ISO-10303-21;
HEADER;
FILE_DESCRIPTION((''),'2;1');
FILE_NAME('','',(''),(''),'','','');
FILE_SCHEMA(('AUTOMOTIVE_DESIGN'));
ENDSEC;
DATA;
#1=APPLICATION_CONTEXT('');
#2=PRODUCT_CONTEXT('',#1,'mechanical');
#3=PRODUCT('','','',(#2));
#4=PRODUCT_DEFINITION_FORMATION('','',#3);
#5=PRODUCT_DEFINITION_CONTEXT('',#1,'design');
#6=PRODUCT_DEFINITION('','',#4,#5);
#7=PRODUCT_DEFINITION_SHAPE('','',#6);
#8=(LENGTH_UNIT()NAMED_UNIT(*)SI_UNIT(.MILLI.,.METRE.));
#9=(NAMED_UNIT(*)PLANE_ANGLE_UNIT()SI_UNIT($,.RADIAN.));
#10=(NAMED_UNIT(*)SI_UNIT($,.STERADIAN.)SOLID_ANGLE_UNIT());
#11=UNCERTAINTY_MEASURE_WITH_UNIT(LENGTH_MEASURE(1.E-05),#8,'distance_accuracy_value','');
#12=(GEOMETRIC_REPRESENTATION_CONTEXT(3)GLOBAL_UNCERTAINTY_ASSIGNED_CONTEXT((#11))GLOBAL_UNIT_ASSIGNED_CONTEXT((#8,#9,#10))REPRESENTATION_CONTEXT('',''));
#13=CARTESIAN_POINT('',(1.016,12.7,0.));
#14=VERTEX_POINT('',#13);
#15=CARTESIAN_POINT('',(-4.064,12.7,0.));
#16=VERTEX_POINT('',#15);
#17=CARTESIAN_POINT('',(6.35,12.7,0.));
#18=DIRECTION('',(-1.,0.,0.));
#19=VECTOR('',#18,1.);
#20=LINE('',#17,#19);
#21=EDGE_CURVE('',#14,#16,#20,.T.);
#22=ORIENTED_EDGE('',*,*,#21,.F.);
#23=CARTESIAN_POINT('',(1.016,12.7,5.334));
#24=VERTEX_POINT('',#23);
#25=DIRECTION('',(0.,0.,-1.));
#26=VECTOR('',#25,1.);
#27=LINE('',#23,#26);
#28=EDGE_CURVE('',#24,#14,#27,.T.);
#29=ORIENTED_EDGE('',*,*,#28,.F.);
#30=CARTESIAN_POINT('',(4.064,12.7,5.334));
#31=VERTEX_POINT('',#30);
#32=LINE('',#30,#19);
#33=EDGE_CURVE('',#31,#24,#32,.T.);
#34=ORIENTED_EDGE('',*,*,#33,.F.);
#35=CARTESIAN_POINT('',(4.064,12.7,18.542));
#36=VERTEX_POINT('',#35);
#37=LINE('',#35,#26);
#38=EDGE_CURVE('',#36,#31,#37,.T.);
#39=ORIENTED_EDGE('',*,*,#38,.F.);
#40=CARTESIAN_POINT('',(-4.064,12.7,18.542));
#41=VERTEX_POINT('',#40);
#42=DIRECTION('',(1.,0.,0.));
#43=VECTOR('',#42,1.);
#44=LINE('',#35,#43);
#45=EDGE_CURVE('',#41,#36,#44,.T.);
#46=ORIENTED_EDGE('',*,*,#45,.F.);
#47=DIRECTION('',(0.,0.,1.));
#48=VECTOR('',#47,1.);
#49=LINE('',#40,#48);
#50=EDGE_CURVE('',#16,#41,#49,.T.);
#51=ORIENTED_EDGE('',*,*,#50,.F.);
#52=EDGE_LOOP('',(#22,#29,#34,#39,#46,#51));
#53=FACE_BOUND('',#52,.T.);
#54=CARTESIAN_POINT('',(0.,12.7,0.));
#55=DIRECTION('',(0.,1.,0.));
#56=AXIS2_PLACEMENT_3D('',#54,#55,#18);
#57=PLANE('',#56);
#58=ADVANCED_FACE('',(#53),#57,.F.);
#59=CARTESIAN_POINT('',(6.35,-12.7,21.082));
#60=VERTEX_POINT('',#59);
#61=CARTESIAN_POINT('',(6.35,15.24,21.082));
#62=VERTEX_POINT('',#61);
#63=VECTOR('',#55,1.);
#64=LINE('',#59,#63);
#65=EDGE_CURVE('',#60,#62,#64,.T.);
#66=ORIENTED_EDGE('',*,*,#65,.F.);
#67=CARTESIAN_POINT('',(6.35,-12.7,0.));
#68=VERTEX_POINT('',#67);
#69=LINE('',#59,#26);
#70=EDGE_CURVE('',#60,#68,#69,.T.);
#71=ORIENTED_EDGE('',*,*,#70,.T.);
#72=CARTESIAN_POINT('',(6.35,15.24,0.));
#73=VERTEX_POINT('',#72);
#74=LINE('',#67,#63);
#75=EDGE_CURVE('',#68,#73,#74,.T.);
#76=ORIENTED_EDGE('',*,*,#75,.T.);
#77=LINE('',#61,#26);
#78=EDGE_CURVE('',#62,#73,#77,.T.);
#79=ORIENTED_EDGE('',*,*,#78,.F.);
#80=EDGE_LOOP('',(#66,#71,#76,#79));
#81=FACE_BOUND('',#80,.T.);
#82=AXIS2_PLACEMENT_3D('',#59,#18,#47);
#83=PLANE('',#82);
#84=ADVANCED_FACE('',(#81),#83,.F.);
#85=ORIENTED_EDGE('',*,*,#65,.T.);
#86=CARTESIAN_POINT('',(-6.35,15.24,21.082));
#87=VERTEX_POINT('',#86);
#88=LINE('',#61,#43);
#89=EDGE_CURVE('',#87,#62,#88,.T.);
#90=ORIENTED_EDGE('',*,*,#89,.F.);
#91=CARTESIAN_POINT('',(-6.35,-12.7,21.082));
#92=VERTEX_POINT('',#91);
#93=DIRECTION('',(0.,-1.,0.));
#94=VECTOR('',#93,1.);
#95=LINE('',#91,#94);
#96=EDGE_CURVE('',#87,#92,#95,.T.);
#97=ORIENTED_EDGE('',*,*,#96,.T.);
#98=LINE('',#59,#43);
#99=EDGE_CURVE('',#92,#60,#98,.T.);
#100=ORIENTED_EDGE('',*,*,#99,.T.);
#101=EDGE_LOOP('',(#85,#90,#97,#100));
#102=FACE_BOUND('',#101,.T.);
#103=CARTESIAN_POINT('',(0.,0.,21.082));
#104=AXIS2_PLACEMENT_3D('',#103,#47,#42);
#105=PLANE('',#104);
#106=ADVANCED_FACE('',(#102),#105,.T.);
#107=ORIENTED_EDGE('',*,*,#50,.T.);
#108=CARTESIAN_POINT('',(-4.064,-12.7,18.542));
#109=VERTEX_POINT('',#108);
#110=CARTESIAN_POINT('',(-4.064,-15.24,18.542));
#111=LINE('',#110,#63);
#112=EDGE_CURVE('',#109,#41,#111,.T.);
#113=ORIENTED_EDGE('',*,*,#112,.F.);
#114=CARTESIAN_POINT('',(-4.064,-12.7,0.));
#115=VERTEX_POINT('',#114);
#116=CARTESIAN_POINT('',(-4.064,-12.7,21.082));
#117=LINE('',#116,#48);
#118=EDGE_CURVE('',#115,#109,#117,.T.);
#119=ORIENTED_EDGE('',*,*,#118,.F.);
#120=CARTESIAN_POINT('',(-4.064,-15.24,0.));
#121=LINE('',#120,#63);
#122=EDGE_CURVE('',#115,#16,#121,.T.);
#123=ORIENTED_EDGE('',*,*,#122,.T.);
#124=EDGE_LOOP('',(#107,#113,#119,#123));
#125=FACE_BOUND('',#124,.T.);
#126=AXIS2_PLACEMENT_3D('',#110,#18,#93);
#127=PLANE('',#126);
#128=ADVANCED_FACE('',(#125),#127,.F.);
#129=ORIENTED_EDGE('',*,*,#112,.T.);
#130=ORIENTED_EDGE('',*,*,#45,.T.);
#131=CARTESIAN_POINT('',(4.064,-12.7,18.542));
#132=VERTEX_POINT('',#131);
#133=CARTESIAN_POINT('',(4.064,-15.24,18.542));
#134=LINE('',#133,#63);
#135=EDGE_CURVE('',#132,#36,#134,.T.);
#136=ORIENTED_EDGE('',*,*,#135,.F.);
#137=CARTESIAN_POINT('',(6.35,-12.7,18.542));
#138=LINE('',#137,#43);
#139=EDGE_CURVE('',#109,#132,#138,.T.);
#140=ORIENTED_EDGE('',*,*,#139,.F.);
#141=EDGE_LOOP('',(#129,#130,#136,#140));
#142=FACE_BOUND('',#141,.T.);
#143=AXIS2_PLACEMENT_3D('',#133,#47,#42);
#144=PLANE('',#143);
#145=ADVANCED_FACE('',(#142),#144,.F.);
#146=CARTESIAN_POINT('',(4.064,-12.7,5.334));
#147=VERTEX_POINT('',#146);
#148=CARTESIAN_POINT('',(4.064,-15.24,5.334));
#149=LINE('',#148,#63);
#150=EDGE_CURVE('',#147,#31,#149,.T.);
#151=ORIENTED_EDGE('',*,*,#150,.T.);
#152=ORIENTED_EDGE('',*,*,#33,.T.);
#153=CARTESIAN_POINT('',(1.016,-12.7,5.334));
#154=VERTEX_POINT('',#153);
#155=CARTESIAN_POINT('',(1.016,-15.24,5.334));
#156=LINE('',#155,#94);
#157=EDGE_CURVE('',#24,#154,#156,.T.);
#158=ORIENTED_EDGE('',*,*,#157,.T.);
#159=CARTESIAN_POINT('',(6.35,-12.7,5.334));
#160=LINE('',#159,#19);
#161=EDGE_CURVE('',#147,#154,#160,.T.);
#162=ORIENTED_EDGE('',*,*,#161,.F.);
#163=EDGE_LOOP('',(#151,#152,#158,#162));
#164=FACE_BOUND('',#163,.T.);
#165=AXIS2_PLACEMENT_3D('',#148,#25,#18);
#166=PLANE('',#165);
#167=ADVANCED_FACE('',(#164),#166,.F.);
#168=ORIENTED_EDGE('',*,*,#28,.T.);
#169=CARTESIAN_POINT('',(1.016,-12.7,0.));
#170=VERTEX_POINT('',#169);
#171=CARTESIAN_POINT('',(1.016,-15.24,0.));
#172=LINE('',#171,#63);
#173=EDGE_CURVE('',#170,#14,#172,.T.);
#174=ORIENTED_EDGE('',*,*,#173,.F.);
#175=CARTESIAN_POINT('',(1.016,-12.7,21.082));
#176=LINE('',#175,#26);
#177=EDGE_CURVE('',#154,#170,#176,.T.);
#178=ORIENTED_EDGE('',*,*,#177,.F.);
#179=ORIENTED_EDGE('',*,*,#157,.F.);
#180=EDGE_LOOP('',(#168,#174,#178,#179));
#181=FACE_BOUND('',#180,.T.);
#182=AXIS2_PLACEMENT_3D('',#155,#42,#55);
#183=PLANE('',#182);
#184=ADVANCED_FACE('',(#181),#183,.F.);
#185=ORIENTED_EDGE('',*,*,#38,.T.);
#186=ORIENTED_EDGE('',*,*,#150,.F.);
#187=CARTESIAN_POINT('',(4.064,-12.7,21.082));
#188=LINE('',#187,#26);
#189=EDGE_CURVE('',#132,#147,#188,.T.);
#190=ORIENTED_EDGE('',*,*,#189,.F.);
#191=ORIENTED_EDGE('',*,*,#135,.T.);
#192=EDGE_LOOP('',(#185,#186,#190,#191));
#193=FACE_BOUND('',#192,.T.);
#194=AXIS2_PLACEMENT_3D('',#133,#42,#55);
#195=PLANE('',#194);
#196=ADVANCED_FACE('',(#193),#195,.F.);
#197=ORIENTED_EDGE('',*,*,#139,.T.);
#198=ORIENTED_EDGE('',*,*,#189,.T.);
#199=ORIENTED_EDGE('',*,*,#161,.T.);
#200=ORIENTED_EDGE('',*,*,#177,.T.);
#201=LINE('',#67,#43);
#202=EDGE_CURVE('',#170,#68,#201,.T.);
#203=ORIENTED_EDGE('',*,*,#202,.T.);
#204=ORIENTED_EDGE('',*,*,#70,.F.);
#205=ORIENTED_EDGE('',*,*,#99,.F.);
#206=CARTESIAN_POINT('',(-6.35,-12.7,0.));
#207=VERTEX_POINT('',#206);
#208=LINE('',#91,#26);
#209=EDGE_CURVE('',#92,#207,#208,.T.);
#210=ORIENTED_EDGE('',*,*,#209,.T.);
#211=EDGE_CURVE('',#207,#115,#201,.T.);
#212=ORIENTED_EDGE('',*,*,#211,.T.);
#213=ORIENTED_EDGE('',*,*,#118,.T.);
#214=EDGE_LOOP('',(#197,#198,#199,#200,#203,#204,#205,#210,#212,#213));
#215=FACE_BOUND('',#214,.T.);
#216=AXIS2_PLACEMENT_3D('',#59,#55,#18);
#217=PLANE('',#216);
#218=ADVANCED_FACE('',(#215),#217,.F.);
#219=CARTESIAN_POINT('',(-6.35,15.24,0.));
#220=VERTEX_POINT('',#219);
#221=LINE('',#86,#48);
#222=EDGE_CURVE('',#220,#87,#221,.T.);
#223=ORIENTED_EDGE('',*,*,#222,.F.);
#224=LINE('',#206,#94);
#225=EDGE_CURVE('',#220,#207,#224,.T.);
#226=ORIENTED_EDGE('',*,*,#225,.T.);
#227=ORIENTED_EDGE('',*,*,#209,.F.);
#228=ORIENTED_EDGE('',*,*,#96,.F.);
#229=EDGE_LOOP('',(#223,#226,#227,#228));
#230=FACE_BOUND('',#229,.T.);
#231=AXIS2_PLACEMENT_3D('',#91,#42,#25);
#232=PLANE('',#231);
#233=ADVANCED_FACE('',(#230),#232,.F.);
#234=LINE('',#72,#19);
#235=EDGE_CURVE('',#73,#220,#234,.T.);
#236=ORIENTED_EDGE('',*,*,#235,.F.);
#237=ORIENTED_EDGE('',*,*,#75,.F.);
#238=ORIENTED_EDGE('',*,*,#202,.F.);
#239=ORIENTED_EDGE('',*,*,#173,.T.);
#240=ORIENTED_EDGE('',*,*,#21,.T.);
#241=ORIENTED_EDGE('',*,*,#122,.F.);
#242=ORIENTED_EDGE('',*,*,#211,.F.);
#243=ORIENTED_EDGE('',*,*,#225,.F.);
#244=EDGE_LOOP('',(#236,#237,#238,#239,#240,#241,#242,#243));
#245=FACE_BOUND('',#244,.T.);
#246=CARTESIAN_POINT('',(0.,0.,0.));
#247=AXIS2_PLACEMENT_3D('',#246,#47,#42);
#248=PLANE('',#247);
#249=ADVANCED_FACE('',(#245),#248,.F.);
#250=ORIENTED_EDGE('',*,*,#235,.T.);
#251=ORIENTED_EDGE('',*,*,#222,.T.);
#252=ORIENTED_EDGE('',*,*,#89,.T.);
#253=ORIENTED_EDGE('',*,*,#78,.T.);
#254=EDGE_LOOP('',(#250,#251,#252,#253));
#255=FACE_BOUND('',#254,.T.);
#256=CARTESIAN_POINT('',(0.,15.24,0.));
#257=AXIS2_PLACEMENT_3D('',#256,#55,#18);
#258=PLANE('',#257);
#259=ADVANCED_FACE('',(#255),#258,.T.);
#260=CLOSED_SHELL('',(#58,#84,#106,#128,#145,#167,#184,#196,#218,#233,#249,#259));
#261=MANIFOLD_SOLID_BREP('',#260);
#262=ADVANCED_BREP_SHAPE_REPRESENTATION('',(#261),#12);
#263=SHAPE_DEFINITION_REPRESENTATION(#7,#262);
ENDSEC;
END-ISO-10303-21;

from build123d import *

# Parameters (mm, degrees)
SKETCH1_W           = 12.7
SKETCH1_H           = 25.4
BOSS_EXTRUDE1_DEPTH = 21.082
SKETCH3_W           = 8.128
SKETCH3_H           = 13.208
CUT_EXTRUDE2_DEPTH  = 27.94
SKETCH4_W           = 5.08
SKETCH4_H           = 5.334
CUT_EXTRUDE3_DEPTH  = 27.94
SKETCH5_W           = 12.7
SKETCH5_H           = 21.082
BOSS_EXTRUDE2_DEPTH = 2.54


with BuildPart() as part:
    # Sketch1 → Boss-Extrude1 (new body)
    with BuildSketch(Plane.XY):
        Rectangle(SKETCH1_W, SKETCH1_H)
    extrude(amount=BOSS_EXTRUDE1_DEPTH)

    # Sketch3 → Cut-Extrude2 (cut)
    with BuildSketch(Plane(origin=(0, 12.7, 0), x_dir=(1, 0, 0), z_dir=(0, 1, 0))):
        with Locations((0, -11.938)):
            Rectangle(SKETCH3_W, SKETCH3_H)
    extrude(amount=-CUT_EXTRUDE2_DEPTH, mode=Mode.SUBTRACT)

    # Sketch4 → Cut-Extrude3 (cut)
    with BuildSketch(Plane(origin=(0, 12.7, 0), x_dir=(1, 0, 0), z_dir=(0, 1, 0))):
        with Locations((-1.524, -2.667)):
            Rectangle(SKETCH4_W, SKETCH4_H)
    extrude(amount=-CUT_EXTRUDE3_DEPTH, mode=Mode.SUBTRACT)

    # Sketch5 → Boss-Extrude2 (add)
    with BuildSketch(Plane(origin=(0, 12.7, 0), x_dir=(1, 0, 0), z_dir=(0, 1, 0))):
        with Locations((0, -10.541)):
            Rectangle(SKETCH5_W, SKETCH5_H)
    extrude(amount=BOSS_EXTRUDE2_DEPTH)


solid = part.part
